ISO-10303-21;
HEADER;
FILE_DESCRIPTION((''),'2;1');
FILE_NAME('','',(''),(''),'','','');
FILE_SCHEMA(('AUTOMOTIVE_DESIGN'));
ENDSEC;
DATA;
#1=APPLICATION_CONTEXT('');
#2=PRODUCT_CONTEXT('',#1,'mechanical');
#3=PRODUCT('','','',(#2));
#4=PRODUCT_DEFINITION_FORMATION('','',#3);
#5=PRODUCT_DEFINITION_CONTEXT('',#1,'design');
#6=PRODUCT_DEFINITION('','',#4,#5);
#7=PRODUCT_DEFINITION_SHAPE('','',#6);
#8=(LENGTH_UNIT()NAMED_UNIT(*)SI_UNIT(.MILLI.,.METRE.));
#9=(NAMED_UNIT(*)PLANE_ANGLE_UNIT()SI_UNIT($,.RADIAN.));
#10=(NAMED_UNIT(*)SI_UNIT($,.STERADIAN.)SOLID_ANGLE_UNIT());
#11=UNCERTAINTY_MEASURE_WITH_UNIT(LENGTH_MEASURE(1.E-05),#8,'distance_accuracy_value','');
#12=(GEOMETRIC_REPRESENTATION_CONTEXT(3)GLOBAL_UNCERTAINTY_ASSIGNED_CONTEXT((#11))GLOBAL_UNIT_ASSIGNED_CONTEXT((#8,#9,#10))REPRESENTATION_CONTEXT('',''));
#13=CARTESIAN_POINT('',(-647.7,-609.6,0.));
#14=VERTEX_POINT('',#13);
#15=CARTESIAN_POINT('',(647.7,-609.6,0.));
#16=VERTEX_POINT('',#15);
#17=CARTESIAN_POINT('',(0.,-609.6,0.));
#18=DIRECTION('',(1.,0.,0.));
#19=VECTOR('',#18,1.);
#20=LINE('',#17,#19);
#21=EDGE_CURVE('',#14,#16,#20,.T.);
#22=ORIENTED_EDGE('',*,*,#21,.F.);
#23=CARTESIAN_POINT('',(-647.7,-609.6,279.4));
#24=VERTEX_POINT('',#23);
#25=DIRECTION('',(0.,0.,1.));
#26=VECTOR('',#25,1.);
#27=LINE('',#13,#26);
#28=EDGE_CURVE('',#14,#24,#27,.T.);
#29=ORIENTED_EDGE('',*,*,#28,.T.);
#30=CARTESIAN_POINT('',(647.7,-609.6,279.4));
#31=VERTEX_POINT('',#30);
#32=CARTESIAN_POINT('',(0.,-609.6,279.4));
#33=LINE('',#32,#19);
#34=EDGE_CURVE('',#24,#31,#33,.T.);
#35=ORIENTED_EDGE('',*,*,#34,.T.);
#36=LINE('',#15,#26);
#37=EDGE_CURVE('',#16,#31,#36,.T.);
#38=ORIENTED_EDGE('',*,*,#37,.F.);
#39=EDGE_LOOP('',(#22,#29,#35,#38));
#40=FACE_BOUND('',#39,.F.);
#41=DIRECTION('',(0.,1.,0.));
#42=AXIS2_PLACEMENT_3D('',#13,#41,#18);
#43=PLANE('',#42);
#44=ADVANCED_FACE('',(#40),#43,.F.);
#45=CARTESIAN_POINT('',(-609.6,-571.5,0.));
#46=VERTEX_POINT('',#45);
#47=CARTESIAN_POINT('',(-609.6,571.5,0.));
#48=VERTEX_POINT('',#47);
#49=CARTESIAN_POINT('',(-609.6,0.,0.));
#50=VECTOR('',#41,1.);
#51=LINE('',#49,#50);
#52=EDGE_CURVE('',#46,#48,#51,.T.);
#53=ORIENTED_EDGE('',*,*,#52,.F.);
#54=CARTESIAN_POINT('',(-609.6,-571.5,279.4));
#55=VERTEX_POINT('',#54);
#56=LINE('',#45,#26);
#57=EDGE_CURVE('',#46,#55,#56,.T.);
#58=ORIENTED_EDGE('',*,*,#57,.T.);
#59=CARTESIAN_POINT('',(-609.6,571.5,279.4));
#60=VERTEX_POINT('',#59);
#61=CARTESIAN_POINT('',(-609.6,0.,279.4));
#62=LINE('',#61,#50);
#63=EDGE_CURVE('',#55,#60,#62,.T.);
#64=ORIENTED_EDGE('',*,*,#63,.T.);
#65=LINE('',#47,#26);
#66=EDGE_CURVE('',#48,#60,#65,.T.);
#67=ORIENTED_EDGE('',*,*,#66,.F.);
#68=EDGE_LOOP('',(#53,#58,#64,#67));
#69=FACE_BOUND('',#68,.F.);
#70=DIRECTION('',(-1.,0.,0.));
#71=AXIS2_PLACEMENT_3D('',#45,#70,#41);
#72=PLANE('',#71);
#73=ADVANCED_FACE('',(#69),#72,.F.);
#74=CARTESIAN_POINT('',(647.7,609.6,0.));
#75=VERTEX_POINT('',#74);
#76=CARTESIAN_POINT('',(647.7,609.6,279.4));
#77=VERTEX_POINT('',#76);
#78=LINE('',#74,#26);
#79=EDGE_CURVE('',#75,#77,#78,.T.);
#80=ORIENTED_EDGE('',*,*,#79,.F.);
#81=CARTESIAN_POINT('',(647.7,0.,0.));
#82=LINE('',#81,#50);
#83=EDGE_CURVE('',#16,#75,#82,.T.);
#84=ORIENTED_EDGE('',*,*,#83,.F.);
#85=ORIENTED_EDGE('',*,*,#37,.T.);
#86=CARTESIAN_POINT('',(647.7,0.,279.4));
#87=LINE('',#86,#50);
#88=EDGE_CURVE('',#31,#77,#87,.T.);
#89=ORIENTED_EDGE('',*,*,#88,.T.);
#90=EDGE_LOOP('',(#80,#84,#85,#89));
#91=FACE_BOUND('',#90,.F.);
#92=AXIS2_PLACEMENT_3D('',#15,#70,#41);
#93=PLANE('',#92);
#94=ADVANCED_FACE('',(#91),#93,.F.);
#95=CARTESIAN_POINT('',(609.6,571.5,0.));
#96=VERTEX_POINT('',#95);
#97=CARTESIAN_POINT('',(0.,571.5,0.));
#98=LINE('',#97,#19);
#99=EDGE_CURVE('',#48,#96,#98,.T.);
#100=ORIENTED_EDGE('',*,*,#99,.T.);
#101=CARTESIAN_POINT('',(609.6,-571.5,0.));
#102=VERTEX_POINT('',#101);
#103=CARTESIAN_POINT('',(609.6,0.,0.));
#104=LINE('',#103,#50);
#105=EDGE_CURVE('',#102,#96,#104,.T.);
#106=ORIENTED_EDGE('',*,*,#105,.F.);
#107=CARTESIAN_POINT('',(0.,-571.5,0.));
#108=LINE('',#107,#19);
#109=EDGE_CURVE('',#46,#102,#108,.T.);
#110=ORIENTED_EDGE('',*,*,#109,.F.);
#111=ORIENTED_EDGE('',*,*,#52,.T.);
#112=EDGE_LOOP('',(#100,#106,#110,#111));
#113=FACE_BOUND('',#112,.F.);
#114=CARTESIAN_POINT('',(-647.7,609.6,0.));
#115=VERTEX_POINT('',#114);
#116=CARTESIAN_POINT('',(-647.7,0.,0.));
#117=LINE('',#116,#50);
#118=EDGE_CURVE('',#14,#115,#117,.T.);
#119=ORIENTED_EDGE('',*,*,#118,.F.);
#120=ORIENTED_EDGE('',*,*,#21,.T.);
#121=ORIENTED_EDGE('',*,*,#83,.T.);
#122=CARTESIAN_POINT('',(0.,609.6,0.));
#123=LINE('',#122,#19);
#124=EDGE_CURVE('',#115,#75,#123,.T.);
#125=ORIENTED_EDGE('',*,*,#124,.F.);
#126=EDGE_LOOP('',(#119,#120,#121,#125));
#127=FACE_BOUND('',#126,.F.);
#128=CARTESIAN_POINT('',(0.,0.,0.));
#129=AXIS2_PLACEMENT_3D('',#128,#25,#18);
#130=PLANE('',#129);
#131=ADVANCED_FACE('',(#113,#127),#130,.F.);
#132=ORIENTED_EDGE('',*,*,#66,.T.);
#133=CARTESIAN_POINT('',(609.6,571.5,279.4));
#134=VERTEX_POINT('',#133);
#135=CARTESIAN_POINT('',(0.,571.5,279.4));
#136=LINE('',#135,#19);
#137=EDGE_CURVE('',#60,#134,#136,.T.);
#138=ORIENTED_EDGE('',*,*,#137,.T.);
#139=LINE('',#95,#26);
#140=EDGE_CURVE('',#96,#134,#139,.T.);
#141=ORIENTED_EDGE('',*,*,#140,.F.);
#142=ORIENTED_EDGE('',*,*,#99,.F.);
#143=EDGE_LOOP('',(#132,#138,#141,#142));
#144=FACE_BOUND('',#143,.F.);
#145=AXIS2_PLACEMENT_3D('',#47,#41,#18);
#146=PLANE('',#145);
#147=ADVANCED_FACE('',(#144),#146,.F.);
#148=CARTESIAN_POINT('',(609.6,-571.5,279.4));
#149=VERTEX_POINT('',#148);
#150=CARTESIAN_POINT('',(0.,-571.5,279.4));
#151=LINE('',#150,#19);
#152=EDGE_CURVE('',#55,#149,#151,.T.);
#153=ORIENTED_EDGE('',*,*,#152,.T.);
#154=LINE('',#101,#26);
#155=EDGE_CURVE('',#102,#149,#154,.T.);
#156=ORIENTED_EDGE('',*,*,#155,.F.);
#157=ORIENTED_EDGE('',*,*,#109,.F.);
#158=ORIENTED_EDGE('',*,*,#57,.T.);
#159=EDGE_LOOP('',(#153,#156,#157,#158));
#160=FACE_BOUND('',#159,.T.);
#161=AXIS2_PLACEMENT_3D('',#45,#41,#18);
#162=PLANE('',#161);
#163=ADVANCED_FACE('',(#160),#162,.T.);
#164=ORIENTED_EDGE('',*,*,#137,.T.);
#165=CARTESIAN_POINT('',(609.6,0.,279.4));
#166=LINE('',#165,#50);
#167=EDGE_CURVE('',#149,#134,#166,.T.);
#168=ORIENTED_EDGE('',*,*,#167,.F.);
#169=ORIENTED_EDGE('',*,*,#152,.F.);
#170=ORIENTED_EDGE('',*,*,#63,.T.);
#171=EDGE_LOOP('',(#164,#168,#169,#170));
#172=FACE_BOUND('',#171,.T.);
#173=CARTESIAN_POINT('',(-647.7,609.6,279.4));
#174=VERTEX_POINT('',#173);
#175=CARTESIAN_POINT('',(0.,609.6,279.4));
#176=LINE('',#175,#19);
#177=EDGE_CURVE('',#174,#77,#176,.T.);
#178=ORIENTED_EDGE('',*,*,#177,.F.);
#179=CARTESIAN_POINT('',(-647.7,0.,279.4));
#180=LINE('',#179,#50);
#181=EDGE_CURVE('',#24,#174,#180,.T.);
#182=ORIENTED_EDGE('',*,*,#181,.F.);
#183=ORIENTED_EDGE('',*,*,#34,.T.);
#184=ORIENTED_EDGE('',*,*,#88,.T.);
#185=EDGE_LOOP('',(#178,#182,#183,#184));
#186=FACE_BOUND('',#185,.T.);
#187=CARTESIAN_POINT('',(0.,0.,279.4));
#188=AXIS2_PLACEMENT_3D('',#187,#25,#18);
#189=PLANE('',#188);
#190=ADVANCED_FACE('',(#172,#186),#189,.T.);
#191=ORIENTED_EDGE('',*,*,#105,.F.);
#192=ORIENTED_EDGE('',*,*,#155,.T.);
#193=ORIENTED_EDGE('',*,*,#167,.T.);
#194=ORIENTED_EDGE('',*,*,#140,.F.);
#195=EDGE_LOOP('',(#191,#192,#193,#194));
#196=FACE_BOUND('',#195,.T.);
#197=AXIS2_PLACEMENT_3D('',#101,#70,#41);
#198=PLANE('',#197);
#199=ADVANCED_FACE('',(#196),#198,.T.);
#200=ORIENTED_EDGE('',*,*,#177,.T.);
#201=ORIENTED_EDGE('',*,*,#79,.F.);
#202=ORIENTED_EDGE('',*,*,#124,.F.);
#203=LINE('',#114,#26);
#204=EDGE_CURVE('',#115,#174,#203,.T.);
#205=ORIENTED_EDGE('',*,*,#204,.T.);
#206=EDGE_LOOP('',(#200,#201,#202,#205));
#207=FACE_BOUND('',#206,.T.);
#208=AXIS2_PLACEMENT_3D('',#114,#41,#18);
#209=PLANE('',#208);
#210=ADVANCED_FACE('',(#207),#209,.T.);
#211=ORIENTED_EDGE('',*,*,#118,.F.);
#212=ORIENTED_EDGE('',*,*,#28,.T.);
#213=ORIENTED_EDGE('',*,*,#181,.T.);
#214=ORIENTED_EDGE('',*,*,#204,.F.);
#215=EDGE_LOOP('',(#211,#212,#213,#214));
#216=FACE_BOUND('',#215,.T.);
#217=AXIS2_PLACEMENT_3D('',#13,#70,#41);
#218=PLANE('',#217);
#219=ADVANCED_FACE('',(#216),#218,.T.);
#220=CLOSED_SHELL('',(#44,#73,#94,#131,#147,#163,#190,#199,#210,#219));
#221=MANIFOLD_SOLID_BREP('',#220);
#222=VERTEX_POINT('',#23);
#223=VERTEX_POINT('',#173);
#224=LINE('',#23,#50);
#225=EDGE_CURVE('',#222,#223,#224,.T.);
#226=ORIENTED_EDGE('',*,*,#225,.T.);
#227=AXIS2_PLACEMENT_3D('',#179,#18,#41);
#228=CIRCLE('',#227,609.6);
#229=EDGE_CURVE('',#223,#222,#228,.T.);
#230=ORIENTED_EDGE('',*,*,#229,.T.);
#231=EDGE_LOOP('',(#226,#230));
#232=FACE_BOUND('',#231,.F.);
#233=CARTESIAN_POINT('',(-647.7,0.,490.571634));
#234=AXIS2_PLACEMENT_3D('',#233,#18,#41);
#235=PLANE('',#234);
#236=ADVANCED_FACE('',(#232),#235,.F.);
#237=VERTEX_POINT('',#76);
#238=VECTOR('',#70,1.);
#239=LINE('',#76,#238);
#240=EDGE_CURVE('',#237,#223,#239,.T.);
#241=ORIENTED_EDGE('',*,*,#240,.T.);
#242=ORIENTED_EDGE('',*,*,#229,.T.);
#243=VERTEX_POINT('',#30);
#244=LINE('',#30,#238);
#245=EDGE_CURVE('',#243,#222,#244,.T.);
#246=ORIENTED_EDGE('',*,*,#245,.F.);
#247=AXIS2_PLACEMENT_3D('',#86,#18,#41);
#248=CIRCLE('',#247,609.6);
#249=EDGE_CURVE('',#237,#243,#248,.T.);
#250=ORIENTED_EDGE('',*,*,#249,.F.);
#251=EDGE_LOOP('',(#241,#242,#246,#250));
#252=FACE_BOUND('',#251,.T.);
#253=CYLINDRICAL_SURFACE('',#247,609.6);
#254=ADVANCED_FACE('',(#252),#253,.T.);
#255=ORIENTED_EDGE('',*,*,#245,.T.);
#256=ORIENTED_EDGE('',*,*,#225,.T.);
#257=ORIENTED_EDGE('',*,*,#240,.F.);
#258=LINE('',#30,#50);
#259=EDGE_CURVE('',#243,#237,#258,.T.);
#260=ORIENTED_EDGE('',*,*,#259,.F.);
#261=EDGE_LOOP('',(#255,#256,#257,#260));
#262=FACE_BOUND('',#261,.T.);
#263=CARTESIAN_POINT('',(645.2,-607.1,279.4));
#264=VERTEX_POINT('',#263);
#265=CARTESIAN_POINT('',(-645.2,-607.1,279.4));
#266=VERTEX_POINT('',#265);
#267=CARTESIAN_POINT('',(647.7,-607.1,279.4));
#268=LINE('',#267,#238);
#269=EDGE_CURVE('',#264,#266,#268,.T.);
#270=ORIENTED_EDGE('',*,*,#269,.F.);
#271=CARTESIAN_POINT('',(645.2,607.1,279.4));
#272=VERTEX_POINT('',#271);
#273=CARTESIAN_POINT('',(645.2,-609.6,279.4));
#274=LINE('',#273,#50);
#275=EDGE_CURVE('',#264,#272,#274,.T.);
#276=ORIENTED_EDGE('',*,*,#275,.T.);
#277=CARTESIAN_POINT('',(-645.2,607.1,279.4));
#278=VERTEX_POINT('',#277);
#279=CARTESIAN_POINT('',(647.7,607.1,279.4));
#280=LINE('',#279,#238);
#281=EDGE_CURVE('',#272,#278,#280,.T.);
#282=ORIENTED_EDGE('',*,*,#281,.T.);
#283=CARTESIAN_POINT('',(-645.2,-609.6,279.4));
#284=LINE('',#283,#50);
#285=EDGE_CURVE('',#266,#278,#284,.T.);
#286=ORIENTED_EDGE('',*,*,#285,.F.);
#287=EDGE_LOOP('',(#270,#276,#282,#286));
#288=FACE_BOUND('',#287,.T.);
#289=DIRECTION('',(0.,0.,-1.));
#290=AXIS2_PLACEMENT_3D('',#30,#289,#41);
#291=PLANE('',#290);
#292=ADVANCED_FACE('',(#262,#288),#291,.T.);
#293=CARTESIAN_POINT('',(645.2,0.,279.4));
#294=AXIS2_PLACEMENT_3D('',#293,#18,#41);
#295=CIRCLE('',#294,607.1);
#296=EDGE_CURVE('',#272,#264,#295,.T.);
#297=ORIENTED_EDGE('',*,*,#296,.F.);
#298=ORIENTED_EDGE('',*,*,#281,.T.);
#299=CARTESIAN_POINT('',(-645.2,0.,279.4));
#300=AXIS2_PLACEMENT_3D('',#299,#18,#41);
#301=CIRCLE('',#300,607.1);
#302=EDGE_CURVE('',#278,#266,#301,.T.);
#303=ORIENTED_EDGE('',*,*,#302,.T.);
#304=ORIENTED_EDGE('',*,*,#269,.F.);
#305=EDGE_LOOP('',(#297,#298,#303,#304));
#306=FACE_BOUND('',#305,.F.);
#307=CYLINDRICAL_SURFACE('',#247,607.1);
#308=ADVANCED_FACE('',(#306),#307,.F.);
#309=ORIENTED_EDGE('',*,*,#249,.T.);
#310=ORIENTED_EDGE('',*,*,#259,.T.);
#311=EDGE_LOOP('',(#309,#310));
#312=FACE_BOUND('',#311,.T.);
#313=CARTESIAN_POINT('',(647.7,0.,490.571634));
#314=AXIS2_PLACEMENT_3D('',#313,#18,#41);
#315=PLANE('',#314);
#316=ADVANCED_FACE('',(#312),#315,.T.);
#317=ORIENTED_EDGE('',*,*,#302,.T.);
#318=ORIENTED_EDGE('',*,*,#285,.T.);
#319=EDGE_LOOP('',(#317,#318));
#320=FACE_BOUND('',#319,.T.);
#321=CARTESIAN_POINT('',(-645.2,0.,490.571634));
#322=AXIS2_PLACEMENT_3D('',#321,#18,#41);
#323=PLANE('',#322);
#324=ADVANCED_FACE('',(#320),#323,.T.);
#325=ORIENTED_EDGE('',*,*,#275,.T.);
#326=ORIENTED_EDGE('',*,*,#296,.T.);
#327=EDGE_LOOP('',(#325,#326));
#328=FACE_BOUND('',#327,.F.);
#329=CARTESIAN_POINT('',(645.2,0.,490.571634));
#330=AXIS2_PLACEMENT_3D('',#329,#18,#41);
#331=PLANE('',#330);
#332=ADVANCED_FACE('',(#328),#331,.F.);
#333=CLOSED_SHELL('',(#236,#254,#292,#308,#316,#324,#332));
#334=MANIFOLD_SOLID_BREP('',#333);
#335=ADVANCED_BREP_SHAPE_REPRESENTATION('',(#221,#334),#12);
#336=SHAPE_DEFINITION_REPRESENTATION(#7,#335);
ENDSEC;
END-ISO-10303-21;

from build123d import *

# Parameters (mm, degrees)
F0_W     = 1295.4
F0_H     = 1219.2
F0_W_2   = 1219.2
F0_H_2   = 1143
F1_DEPTH = 279.4
F3_DEPTH = 1295.4
F4_T     = -2.5


with BuildPart() as f1:
    # F0 (on Top) → F1 (new body)
    with BuildSketch(Plane.XY):
        Rectangle(F0_W, F0_H)
        Rectangle(F0_W_2, F0_H_2, mode=Mode.SUBTRACT)
    extrude(amount=F1_DEPTH)


with BuildPart() as f3:
    # F2 (on face) → F3 (new body, through all)
    with BuildSketch(Plane.YZ.offset(647.7)):
        with BuildLine():
            Line((-609.6, 279.4), (609.6, 279.4))
            ThreePointArc((609.6, 279.4), (0, 889), (-609.6, 279.4))
        make_face()
    extrude(amount=-F3_DEPTH)

    # F4
    f4_openings = [f3.faces().sort_by_distance(p)[0] for p in [
        (0, 0, 279.4),
    ]]
    offset(amount=F4_T, openings=f4_openings)


solid = Compound([f1.part, f3.part])
